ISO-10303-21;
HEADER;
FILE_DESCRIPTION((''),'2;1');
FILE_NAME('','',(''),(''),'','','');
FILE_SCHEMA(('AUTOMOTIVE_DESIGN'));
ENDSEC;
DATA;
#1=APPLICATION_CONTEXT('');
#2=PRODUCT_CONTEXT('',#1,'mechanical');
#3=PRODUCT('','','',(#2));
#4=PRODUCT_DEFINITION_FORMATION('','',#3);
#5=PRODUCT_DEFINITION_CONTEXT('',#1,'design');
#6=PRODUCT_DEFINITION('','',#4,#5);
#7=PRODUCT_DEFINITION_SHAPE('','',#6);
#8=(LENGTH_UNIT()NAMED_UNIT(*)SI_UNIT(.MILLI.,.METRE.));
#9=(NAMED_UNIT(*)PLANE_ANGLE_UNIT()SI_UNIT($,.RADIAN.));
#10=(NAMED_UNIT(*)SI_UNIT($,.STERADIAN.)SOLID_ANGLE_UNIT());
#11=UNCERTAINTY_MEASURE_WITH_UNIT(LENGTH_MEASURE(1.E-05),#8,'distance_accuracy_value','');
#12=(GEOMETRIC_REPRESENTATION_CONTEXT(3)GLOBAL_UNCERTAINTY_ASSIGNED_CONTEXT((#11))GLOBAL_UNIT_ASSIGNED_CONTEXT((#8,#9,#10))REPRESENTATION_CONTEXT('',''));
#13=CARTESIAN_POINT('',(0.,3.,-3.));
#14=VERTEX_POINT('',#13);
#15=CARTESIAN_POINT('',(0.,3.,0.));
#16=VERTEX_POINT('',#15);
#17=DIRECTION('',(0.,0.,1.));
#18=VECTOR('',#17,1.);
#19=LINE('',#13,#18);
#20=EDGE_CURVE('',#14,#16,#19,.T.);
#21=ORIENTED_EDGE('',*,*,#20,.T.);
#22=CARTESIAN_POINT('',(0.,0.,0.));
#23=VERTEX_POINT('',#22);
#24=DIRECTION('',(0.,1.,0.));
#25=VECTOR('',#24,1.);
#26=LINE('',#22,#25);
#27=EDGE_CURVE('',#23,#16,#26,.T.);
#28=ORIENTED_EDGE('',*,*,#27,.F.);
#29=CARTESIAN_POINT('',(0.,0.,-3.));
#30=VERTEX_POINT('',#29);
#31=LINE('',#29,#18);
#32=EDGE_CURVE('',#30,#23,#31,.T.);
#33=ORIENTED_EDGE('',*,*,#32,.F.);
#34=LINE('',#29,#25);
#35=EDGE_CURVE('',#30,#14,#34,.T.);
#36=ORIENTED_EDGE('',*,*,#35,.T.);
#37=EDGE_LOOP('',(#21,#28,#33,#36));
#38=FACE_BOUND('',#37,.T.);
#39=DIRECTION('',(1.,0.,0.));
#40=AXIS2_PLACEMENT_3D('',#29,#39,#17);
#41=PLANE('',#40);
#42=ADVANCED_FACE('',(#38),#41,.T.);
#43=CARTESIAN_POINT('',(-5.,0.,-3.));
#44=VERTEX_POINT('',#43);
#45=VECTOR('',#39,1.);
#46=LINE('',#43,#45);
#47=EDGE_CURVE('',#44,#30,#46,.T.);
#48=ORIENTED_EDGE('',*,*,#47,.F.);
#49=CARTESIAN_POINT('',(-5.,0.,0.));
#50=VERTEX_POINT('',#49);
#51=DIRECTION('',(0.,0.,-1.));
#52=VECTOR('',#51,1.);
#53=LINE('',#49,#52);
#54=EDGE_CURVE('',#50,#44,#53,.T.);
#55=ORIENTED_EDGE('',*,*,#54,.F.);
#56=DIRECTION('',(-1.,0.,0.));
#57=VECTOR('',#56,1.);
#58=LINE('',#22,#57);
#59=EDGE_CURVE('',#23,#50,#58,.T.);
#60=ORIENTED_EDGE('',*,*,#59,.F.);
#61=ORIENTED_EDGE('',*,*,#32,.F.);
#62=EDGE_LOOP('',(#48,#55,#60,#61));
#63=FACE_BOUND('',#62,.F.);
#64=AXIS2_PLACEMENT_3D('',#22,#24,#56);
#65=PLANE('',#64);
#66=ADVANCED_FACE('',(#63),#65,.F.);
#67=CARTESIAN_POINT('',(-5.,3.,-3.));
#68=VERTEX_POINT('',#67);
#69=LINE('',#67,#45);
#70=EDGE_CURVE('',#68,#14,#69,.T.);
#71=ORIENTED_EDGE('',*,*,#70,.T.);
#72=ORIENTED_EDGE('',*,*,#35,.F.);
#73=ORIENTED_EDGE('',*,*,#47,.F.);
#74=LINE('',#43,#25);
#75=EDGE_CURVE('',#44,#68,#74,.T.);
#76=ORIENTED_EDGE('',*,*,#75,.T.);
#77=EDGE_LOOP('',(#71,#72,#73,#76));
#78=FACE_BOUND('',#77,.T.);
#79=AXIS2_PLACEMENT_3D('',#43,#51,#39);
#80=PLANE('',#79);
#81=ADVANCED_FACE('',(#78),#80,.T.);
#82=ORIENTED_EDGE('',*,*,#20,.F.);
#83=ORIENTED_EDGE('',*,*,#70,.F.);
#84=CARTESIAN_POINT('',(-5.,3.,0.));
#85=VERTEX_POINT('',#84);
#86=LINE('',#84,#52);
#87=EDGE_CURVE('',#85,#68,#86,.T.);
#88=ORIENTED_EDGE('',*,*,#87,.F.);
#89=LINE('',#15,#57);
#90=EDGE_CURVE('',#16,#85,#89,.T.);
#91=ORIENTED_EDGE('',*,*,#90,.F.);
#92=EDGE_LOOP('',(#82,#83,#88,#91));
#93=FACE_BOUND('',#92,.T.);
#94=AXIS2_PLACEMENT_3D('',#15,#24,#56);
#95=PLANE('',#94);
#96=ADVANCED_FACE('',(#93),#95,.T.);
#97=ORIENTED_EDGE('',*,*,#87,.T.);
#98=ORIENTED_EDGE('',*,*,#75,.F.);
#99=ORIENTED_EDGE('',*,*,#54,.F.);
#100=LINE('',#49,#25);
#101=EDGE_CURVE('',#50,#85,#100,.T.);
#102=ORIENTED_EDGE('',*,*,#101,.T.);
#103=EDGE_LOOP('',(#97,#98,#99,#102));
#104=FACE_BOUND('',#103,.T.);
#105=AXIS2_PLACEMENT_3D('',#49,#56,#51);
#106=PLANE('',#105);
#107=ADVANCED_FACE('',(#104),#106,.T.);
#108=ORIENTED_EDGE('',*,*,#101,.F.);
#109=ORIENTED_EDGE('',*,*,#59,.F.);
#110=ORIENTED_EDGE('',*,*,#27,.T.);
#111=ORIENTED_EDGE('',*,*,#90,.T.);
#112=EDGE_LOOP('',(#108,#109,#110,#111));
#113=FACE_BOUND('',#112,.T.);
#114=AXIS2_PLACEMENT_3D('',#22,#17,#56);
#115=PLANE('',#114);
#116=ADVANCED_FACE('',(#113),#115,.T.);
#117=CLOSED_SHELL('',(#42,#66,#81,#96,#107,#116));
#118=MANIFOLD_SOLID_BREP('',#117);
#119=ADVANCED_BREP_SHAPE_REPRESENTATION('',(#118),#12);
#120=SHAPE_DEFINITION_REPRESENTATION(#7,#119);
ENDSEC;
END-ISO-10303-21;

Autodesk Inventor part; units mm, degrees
ref_plane "YZ Plane" through (0, 0, 0) normal (1, 0, 0) x (0, 1, 0)
ref_plane "XZ Plane" through (0, 0, 0) normal (0, 1, 0) x (-1, 0, 0)
ref_plane "XY Plane" through (0, 0, 0) normal (0, 0, 1) x (1, 0, 0)
sketch "Sketch1" plane through (0, 0, 0) normal (0, 1, 0) x (-1, 0, 0)
  line L0 (0, 0) -> (5, 0)
  line L1 (5, 0) -> (5, -3)
  line L2 (5, -3) -> (0, -3)
  line L3 (0, -3) -> (0, 0)
  dimension "d0" = 5
  dimension "d1" = 3
extrude "Extrusion1" add sketch "Sketch1" along normal blind 3
properties part number "Primary_hinge_guide_pulley_stopper"
